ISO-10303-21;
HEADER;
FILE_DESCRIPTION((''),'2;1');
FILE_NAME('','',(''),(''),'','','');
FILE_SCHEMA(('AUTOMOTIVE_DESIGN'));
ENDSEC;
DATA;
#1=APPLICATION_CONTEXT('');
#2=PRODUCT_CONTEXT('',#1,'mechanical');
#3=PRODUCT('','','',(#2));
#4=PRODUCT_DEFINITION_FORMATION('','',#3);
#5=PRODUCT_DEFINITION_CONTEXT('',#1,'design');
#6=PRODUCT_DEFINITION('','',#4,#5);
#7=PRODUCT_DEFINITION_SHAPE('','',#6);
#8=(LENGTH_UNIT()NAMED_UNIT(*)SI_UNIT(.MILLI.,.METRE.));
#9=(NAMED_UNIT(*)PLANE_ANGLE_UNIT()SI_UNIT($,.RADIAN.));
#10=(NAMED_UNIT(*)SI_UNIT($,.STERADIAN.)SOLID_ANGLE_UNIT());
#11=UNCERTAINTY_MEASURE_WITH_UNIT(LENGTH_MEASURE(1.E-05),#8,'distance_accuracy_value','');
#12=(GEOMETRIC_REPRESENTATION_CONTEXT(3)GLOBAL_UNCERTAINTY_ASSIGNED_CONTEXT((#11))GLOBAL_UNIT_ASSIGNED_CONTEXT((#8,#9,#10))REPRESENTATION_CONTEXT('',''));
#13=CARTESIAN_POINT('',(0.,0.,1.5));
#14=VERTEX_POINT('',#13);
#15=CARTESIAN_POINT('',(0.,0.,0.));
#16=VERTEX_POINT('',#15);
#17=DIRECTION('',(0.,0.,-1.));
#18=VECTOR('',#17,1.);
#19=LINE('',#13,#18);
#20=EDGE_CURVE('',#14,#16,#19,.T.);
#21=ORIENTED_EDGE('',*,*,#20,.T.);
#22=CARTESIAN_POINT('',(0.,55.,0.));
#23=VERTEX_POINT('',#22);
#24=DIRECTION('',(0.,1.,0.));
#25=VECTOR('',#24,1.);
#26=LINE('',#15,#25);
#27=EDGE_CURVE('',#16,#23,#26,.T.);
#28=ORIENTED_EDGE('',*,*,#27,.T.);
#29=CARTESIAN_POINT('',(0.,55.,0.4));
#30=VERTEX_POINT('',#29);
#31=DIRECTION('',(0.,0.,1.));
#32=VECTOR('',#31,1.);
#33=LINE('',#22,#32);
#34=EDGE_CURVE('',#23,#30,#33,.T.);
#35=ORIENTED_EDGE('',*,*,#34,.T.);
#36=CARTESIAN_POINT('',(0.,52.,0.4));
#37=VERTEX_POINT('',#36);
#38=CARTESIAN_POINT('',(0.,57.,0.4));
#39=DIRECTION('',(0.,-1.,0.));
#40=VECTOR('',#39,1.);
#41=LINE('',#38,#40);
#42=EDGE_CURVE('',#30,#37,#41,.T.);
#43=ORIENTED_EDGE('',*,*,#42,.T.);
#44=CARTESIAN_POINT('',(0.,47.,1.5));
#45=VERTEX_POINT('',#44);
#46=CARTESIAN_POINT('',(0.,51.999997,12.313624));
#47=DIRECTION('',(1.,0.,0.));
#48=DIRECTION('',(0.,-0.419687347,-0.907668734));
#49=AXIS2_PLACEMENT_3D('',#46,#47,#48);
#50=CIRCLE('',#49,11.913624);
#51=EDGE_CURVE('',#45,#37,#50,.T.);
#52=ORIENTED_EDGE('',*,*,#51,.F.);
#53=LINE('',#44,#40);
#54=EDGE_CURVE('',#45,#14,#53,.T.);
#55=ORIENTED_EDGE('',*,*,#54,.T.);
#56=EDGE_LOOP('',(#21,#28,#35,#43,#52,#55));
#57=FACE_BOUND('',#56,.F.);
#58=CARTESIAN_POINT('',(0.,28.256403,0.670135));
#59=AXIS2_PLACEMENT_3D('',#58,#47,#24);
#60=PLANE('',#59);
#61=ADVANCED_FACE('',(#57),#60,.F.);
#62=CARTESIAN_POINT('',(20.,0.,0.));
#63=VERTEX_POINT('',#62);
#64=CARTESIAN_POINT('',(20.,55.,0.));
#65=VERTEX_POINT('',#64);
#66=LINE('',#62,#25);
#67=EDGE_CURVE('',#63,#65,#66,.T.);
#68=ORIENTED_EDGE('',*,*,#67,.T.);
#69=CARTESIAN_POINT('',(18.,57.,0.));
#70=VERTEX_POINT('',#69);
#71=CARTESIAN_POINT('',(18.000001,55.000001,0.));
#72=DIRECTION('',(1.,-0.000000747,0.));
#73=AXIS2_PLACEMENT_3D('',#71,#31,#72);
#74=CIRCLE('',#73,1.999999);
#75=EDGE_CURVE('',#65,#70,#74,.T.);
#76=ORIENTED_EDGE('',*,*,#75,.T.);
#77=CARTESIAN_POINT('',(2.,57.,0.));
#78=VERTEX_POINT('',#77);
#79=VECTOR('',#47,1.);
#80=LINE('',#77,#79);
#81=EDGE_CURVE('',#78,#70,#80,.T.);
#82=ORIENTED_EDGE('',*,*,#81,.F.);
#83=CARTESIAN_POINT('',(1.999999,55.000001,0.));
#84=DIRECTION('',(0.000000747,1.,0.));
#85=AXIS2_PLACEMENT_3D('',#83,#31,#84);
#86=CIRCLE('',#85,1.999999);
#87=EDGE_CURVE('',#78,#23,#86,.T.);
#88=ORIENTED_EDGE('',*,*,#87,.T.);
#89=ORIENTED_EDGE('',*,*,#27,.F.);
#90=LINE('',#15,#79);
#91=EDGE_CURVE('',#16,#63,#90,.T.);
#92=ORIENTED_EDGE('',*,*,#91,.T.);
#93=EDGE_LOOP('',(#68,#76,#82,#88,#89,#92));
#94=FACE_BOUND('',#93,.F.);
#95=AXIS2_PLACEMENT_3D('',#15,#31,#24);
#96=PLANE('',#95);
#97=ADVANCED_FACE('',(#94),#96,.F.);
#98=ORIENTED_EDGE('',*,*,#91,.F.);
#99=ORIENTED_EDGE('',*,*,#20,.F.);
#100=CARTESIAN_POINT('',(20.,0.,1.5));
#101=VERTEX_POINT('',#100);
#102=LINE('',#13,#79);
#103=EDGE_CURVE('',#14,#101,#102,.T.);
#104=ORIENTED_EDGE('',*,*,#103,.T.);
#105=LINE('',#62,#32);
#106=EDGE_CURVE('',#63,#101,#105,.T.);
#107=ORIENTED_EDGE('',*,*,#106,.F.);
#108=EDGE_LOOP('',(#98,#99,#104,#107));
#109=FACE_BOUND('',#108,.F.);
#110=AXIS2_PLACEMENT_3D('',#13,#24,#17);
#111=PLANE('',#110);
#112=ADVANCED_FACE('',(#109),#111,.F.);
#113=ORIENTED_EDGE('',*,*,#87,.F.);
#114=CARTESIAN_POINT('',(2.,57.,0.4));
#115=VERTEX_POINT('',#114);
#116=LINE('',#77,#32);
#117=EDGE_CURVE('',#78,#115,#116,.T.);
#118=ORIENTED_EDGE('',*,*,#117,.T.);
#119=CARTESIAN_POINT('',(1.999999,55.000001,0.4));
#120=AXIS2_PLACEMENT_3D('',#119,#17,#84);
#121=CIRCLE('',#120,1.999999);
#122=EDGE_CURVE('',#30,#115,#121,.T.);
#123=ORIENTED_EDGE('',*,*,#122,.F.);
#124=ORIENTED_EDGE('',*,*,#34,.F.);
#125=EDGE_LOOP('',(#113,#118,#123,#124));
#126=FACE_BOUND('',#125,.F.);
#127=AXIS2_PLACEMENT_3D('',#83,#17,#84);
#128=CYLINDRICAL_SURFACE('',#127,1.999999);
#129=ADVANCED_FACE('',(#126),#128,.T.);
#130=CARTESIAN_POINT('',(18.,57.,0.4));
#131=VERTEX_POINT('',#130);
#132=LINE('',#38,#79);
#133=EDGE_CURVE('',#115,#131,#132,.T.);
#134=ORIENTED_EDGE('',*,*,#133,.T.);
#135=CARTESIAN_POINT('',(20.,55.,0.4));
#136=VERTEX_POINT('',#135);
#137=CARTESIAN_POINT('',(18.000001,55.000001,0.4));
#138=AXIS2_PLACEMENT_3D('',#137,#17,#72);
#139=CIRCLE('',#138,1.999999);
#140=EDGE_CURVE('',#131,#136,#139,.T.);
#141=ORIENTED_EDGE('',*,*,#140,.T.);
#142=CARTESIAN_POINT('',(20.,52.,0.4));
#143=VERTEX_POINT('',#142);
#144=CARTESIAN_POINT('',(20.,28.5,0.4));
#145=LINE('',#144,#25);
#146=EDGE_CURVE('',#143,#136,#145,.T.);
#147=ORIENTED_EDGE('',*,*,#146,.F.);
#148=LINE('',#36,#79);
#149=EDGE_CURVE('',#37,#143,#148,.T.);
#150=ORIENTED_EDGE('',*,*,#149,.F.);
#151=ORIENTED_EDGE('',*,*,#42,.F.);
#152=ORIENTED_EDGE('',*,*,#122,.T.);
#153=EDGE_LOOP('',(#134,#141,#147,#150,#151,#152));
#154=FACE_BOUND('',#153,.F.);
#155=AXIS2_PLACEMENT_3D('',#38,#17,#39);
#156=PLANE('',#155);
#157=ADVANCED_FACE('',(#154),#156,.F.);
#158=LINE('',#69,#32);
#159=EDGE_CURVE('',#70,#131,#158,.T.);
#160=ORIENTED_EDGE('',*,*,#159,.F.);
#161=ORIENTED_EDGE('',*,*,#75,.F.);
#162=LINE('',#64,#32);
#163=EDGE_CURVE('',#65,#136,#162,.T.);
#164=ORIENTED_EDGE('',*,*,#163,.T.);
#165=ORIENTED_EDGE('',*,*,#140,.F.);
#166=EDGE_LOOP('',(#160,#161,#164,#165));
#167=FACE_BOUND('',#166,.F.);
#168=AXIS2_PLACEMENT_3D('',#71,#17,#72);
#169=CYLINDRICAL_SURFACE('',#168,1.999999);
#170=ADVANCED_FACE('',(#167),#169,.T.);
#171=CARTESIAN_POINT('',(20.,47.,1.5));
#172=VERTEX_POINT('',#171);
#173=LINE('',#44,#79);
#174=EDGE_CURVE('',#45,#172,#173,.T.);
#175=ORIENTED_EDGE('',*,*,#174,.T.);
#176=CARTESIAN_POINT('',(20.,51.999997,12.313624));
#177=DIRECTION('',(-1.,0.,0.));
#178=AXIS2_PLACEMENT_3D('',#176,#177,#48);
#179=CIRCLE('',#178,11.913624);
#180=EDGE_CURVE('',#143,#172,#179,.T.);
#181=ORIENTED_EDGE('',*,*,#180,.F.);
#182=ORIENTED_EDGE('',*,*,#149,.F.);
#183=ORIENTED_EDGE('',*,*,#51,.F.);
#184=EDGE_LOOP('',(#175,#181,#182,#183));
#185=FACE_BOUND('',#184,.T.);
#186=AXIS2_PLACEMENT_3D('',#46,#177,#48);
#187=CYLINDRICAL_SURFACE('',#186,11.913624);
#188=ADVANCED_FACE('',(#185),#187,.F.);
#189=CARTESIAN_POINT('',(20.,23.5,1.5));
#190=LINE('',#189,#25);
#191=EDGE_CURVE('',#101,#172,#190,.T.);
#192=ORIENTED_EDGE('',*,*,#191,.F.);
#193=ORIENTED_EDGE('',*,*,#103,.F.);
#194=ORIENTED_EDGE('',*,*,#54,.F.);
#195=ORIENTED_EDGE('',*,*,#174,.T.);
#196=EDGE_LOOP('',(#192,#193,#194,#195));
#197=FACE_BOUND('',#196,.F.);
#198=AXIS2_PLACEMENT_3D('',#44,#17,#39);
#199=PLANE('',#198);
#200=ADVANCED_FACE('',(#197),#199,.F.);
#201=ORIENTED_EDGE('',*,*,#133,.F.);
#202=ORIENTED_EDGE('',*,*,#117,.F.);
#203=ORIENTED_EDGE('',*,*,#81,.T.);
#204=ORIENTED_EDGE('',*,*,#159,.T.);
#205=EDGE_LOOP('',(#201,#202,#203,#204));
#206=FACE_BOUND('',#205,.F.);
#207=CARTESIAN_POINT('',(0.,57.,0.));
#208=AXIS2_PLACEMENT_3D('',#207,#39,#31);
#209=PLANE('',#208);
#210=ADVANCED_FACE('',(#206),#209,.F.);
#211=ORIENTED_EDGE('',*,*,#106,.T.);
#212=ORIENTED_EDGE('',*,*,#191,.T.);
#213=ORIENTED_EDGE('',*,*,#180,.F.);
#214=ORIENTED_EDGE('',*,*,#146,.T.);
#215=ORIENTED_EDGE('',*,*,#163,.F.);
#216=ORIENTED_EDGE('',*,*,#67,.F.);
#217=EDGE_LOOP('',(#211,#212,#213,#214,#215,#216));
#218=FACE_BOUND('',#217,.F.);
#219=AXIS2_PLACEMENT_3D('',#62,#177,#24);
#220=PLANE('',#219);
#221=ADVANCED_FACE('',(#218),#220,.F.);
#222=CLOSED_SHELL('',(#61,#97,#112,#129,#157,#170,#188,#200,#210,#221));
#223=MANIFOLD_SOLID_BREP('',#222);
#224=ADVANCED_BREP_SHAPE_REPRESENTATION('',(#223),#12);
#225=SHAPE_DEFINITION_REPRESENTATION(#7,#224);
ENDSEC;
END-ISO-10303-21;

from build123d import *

# Parameters (mm, degrees)
EXTRUDE012_DEPTH = 10
EXTRUDE011_DEPTH = 40


with BuildPart() as extrude012:
    # Sketch006 → Extrude012 (new body)
    with BuildSketch(Plane.XY):
        with BuildLine():
            ThreePointArc((2, 57), (0.585786, 56.414214), (0, 55))
            Line((0, 55), (0, 0))
            Line((0, 0), (20, 0))
            Line((20, 0), (20, 55))
            ThreePointArc((20, 55), (19.414214, 56.414214), (18, 57))
            Line((2, 57), (18, 57))
        make_face()
    extrude(amount=EXTRUDE012_DEPTH)


with BuildPart() as body002:
    # Sketch007 → Extrude011 (new body)
    with BuildSketch(Plane.YZ):
        with BuildLine():
            Line((0, 0), (57, 0))
            Line((57, 0), (57, 0.4))
            Line((57, 0.4), (52, 0.4))
            ThreePointArc((47, 1.5), (49.440215, 0.678249), (52, 0.4))
            Line((47, 1.5), (0, 1.5))
            Line((0, 1.5), (0, 0))
        make_face()
    extrude(amount=EXTRUDE011_DEPTH)

    # Common: intersect Extrude012
    add(extrude012.part, mode=Mode.INTERSECT)


solid = body002.part
